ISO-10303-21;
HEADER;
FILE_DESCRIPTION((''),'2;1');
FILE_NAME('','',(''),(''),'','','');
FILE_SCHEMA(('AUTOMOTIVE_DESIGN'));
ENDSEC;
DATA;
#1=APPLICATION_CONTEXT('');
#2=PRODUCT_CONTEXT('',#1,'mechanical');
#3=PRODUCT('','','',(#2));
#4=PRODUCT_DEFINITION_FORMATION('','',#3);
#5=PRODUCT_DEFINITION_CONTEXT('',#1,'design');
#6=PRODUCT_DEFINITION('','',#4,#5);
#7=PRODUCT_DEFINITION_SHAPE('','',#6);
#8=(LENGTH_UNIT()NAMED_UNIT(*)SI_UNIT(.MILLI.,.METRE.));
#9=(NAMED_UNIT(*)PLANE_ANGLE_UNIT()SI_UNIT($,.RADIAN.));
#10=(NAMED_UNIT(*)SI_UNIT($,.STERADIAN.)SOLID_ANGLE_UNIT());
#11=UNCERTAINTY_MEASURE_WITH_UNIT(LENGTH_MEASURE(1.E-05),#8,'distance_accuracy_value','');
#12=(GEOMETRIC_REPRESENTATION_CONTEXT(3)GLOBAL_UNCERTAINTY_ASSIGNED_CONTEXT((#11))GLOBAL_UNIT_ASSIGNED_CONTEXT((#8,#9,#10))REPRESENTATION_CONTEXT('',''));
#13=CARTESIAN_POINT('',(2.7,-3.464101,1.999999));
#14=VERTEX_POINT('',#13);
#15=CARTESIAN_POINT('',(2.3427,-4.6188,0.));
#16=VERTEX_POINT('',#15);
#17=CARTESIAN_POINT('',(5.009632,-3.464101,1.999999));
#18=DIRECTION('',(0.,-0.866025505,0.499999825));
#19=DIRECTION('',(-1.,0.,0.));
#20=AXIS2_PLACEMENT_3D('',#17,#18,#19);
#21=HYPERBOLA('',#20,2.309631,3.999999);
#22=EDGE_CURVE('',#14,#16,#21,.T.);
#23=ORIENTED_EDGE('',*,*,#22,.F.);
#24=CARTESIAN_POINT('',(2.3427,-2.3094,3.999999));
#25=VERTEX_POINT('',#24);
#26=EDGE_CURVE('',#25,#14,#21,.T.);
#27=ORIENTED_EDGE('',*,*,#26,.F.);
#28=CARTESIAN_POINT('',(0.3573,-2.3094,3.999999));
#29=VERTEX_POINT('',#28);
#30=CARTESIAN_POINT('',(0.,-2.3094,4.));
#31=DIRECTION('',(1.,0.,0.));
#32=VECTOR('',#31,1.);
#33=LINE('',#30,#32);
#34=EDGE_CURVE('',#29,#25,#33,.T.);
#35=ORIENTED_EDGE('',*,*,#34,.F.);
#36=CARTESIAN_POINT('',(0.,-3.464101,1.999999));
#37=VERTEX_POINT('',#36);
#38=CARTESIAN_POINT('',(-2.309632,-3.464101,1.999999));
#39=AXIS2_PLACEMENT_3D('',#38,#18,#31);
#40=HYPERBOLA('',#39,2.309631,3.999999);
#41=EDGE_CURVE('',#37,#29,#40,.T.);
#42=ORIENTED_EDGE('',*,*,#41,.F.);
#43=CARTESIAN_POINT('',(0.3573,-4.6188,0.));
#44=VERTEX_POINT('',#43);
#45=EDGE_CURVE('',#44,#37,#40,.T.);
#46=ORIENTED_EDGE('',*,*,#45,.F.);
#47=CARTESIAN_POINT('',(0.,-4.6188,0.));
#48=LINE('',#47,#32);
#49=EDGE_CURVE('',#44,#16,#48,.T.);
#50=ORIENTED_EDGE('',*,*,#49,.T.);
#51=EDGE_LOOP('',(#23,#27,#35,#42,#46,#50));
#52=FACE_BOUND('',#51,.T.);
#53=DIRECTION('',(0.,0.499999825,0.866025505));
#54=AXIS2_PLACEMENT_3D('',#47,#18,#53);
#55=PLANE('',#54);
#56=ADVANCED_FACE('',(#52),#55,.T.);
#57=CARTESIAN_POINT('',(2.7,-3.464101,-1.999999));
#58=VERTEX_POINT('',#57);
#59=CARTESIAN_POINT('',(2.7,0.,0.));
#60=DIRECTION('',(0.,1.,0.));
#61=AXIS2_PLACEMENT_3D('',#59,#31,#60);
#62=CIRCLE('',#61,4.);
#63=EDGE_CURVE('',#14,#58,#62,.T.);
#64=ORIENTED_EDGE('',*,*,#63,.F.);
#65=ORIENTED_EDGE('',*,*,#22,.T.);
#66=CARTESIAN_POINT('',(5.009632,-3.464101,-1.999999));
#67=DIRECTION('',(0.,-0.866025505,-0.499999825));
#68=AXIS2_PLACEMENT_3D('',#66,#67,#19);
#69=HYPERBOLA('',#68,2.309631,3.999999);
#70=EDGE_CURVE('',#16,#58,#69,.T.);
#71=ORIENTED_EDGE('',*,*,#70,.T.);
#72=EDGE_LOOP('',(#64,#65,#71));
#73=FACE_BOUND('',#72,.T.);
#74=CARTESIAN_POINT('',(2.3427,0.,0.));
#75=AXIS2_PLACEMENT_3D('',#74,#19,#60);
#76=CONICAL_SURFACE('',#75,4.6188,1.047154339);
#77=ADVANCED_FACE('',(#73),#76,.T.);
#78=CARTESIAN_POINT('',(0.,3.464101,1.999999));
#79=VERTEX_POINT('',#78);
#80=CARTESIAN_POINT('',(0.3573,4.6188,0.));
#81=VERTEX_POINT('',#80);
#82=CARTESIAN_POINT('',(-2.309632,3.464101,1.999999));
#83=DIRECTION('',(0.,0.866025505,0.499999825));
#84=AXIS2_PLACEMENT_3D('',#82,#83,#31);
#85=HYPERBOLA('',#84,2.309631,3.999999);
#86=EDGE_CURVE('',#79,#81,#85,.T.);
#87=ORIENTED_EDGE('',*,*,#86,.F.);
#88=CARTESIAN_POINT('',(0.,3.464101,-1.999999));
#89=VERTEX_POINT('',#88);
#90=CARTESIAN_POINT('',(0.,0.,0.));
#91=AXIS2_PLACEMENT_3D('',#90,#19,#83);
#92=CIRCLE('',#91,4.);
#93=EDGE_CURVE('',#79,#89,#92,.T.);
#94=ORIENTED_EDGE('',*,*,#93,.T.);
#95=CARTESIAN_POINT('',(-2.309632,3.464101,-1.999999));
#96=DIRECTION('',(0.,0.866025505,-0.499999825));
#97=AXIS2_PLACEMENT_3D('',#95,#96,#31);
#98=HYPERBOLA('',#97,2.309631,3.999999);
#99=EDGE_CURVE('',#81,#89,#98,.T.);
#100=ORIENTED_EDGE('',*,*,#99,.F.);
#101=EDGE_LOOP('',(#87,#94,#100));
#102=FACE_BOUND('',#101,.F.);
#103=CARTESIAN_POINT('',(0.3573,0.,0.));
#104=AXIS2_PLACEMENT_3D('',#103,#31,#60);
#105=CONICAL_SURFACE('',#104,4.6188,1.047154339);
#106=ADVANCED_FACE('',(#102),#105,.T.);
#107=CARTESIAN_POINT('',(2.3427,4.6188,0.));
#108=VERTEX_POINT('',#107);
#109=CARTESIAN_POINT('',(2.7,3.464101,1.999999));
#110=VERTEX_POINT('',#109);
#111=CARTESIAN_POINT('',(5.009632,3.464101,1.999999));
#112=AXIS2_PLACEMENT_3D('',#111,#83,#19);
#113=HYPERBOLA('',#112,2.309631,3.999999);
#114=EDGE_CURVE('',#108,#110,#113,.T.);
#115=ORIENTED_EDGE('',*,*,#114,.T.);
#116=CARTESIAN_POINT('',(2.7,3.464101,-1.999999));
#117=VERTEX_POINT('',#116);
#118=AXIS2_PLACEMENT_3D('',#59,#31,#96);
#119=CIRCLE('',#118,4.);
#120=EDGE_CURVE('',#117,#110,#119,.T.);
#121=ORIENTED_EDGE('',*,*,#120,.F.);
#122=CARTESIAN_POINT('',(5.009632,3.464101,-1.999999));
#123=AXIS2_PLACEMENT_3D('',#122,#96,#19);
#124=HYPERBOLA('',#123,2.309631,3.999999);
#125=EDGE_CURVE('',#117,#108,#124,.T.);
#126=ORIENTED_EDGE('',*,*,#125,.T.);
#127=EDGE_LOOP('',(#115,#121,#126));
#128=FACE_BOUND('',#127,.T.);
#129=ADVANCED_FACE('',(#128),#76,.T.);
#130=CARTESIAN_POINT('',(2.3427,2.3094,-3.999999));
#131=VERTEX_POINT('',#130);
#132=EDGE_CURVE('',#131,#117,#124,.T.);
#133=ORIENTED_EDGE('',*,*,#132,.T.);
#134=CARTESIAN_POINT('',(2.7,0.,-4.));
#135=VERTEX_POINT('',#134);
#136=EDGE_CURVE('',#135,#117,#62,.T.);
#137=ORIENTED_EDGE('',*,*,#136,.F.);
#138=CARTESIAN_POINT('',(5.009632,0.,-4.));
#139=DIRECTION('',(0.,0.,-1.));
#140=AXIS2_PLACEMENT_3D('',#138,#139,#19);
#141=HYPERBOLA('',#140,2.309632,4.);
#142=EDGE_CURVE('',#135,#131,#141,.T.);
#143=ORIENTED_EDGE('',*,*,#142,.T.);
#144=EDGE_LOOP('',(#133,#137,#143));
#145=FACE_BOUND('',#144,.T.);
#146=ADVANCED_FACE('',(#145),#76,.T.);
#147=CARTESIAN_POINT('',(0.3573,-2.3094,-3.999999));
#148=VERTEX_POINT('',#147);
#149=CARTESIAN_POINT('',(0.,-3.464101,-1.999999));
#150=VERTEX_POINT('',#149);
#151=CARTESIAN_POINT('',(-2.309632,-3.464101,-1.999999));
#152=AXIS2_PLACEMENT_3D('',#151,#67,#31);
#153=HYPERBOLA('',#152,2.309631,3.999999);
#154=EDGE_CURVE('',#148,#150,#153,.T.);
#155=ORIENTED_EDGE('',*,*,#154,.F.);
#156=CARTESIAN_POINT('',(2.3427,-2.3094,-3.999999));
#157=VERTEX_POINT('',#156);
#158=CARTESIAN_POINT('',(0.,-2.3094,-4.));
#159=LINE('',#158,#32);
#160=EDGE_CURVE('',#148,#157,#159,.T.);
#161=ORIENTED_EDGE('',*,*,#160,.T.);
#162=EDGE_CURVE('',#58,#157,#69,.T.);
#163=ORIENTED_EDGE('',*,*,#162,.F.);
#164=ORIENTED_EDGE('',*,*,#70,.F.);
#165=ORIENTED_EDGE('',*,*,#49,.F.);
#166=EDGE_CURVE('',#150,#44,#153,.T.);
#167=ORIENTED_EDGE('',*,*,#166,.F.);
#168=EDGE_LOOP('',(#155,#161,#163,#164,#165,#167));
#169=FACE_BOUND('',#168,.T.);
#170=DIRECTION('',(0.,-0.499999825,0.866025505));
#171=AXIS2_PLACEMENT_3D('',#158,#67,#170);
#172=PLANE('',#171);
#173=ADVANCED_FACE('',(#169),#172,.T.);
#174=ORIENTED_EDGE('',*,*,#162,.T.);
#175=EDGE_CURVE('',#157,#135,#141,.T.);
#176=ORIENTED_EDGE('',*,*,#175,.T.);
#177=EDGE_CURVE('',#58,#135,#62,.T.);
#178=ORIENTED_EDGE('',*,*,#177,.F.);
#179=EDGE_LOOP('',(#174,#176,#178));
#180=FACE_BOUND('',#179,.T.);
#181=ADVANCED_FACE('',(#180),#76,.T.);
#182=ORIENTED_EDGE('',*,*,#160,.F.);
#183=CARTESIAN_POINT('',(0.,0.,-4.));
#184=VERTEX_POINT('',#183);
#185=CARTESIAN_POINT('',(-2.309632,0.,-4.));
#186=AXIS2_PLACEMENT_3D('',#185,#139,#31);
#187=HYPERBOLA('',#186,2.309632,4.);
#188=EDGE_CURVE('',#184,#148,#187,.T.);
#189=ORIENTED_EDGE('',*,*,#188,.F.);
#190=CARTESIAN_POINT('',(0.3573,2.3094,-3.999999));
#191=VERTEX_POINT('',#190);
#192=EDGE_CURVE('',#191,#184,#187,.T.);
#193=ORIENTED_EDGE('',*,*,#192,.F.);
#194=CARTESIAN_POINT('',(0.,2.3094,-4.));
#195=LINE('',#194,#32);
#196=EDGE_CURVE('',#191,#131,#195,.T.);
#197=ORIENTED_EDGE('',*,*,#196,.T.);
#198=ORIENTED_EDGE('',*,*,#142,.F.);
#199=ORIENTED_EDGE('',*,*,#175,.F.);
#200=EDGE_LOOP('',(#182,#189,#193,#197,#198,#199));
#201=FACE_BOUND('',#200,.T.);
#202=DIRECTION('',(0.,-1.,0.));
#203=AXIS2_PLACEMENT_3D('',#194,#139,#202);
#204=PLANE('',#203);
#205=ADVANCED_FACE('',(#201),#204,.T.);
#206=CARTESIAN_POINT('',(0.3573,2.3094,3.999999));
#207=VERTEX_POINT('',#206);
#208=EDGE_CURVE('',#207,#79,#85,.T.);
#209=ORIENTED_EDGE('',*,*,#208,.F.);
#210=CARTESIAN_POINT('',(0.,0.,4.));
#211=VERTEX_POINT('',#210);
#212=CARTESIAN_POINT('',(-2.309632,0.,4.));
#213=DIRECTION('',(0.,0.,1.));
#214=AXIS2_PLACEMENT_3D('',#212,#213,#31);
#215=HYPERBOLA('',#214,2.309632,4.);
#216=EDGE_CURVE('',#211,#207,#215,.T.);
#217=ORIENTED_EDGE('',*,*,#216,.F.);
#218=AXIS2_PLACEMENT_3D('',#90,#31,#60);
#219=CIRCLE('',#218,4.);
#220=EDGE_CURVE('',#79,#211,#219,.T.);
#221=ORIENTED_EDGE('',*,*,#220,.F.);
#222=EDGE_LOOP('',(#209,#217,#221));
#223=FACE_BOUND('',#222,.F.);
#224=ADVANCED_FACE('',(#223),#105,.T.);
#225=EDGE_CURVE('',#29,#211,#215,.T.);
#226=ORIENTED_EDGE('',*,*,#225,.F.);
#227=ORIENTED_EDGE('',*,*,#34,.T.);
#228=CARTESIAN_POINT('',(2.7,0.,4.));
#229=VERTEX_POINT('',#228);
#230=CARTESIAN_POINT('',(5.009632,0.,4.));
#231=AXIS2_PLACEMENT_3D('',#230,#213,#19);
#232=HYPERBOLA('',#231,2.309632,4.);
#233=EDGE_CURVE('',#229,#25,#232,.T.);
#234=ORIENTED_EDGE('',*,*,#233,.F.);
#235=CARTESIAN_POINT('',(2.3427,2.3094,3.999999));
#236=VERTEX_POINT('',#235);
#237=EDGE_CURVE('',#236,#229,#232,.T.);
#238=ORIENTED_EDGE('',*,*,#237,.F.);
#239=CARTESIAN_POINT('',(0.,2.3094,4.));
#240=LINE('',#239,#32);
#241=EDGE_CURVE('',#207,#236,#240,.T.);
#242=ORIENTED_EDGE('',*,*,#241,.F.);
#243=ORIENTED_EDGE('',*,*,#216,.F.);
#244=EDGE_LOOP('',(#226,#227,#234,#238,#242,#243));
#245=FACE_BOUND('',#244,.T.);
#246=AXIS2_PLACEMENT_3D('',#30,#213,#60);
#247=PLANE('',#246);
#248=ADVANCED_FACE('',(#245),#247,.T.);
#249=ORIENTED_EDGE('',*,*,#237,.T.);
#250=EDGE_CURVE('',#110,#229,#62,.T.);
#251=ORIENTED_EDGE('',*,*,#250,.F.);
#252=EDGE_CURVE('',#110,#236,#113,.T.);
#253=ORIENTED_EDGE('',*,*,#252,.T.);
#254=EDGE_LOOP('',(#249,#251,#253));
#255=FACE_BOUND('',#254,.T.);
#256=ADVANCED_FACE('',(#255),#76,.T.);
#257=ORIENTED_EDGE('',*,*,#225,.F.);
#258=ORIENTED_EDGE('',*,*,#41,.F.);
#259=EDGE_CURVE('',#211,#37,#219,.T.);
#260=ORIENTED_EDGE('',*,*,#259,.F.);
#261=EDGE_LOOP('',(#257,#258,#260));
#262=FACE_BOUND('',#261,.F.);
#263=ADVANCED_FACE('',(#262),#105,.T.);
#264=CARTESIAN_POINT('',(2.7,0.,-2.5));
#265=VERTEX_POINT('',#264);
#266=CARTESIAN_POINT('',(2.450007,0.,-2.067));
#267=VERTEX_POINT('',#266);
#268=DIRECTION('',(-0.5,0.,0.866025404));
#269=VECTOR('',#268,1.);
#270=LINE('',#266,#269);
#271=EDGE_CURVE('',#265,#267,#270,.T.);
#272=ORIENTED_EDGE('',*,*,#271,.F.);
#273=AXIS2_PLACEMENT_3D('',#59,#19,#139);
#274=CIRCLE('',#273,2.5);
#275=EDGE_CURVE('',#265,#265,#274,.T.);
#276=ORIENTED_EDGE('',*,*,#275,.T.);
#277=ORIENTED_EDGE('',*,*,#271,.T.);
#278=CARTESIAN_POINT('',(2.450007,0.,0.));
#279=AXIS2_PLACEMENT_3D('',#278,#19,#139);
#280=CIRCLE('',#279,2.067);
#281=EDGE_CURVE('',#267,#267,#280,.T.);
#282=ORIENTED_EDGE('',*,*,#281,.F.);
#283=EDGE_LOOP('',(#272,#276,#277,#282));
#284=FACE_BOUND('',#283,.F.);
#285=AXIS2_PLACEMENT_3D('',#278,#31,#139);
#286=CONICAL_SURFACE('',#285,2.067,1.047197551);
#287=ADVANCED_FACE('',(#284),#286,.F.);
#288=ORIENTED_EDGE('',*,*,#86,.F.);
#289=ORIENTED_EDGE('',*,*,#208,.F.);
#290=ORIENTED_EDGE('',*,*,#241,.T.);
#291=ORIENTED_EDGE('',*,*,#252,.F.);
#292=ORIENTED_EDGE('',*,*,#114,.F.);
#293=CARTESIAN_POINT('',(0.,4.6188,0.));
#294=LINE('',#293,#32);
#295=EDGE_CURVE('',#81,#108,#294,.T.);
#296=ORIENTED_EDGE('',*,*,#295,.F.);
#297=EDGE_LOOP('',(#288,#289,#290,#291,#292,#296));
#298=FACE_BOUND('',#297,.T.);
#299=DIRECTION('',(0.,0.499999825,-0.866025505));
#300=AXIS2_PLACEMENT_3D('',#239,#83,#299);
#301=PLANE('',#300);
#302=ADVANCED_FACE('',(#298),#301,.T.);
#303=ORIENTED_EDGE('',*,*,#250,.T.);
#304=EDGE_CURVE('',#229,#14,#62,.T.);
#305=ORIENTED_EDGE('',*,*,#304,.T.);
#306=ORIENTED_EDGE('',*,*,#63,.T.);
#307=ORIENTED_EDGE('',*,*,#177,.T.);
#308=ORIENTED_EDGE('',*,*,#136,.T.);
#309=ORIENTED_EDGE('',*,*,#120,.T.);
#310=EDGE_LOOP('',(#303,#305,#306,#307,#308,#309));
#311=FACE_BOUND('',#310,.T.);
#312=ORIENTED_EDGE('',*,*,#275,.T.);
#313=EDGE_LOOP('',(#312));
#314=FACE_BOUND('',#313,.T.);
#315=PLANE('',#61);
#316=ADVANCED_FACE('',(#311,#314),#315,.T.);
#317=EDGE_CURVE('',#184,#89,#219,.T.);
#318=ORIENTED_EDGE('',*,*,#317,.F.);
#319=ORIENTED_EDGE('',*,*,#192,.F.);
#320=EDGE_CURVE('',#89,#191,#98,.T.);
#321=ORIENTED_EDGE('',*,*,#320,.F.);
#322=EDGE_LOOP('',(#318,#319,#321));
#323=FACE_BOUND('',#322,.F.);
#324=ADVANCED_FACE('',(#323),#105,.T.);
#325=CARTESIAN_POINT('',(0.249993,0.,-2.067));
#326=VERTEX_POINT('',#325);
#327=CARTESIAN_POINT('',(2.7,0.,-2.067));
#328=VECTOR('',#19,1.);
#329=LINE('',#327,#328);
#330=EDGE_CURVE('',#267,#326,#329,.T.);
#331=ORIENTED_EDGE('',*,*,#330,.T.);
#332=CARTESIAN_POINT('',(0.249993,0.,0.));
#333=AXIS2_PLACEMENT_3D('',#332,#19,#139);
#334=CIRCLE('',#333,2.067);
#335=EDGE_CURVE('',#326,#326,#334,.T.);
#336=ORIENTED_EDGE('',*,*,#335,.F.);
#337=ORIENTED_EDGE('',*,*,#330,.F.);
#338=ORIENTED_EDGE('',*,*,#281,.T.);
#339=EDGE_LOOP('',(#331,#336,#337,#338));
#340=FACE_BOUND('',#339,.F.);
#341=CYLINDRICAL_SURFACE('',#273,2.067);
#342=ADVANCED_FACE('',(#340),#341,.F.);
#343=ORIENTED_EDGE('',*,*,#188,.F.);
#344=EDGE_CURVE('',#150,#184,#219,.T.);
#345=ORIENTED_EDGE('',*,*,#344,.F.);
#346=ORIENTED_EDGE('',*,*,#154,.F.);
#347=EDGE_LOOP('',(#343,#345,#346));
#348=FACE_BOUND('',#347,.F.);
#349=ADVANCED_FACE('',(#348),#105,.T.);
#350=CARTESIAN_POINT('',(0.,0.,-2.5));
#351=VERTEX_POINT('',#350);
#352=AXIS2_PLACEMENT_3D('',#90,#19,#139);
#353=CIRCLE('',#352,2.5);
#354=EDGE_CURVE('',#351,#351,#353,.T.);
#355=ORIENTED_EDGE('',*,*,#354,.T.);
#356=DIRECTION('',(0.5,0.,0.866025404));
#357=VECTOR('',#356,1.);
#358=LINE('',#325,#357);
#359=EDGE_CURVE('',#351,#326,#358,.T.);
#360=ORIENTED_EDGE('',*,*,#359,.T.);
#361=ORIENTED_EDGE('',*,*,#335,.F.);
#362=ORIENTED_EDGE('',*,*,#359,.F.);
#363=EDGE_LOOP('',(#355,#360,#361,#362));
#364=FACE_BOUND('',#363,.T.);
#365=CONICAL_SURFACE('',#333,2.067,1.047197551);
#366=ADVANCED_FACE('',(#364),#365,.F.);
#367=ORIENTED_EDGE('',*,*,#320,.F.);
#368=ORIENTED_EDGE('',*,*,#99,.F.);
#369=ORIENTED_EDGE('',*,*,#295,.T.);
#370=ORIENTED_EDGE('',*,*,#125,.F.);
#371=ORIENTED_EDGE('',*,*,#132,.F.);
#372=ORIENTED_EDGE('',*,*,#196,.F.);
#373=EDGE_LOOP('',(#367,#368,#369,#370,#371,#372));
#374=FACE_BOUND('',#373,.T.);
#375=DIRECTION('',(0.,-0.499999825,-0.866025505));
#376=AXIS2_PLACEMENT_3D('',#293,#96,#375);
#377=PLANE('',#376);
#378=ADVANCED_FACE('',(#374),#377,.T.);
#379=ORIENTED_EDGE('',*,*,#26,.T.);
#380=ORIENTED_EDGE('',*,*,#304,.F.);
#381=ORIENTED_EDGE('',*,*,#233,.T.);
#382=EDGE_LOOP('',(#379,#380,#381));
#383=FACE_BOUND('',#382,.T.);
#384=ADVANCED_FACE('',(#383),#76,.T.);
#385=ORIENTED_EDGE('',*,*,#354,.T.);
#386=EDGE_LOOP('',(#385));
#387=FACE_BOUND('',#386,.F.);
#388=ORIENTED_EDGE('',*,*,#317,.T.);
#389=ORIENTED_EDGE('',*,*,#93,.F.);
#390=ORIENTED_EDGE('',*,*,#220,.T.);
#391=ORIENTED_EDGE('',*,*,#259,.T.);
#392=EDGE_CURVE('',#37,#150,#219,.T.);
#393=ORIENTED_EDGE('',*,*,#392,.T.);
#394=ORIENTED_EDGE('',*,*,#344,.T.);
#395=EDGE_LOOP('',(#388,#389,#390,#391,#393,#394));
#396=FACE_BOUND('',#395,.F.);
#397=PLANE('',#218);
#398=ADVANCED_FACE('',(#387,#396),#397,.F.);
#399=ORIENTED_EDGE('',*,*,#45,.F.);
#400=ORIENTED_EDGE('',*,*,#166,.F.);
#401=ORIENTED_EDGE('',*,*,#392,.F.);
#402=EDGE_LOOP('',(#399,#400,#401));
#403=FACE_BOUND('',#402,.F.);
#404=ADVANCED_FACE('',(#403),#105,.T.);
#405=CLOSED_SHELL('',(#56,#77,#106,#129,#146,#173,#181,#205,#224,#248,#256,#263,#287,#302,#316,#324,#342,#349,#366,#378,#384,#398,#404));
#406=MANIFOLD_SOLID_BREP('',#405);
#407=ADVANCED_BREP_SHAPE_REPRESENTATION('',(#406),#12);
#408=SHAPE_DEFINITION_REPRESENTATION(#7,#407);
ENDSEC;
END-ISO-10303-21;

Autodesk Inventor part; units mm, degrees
ref_plane "YZ Plane" through (0, 0, 0) normal (1, 0, 0) x (0, 1, 0)
ref_plane "XZ Plane" through (0, 0, 0) normal (0, 1, 0) x (-1, 0, 0)
sketch "Sketch1" plane through (0, 0, 0) normal (1, 0, 0) x (0, 1, 0)
  line L0 (-4.6188, 0) -> (-2.3094, 4)
  line L1 (-2.3094, 4) -> (2.3094, 4)
  line L2 (2.3094, 4) -> (4.6188, 0)
  line L3 (4.6188, 0) -> (2.3094, -4)
  line L4 (2.3094, -4) -> (-2.3094, -4)
  line L5 (-2.3094, -4) -> (-4.6188, 0)
  point P0 (0, 0)
  point P1 (0, 0)
  dimension "d0" = 9.2376
extrude "Body" add sketch "Sketch1" along normal blind 2.7
sketch "Sketch2" plane through (0, 0, 0) normal (0, 0, 1) x (1, 0, 0)
  line L0 (0, 2.3094) -> (0, 4.6188) projected
  line L1 (0, 4.6188) -> (2.7, 4.6188) projected
  line L2 (2.7, 2.3094) -> (2.7, 4.6188) projected
  line L3 (-0.54, 0) -> (3.24, 0) projected
  line L4 (0.3573, 4.6188) -> (0, 4)
  line L5 (2.3427, 4.6188) -> (2.7, 4)
  dimension "d3" = 30
  dimension "d4" = 30
  dimension "d5" = 8
  dimension "d6" = 8
revolve "Chamfer1" cut sketch "Sketch2" angle 360 about axis through (-10, 0, 0) along (1, 0, 0)
sketch "Sketch3" plane through (2.7, 0, 0) normal (1, 0, 0) x (0, 0, -1)
  arc A0 (-2, -3.4641) -> (2, -3.4641) centre (0, 0) ccw projected
hole "Thread" at (2.7, 0, 0) direction (-1, 0, 0) diameter 4.134 end through all thread size "M5x0.8" class "6H" standard "ANSI Metric M Profile"
chamfer "Chamfer2" distance 0.433 angle 30 1 edges at (2.7, 0, 2.067) measured on face at (2.7, 3.336, -0.083)
chamfer "Chamfer3" distance 0.433 angle 30 1 edges at (0, 0, 2.067) measured on face at (0, 3.336, -0.083)
ref_plane "Work Plane1" through (-9.8149, 0, 0) normal (0, -0.866, -0.5) x (1, 0, 0)
equation "\"d0\" = 1.1547 * SW"
equation "\"d1\" = KOH"
equation "\"d3\" = ANG1"
equation "\"d4\" = ANG2"
equation "\"d5\" = SW0"
equation "\"d6\" = SW01"
equation "\"d8\" = -0.5 * GD1 + 0.5 * NND"
equation "\"d40\" = -0.5 * GD1 + 0.5 * NND"
equation "\"d10\" = -0.5 * GD1 + 0.5 * NND"
equation "\"d41\" = -0.5 * GD1 + 0.5 * NND"
equation "\"ANG1\" = 30deg"
equation "\"ANG2\" = 30deg"
equation "\"NND\" = 5"
equation "\"KOH\" = 2.7"
equation "\"SW\" = 8"
equation "\"SW0\" = SW"
equation "\"SW01\" = SW"
equation "\"GUL\" = 0.541266 * PTC"
equation "\"THREADDIA\" = 5"
equation "\"TOA\" = 30deg"
equation "\"PTC\" = 0.8"
equation "\"E0\" = 1.155 * SW"
equation "\"GAL\" = 0.541266 * PTC"
equation "\"GD1\" = 4.133975"
properties part number "PWTR-0104" material "Steel, Mild"
